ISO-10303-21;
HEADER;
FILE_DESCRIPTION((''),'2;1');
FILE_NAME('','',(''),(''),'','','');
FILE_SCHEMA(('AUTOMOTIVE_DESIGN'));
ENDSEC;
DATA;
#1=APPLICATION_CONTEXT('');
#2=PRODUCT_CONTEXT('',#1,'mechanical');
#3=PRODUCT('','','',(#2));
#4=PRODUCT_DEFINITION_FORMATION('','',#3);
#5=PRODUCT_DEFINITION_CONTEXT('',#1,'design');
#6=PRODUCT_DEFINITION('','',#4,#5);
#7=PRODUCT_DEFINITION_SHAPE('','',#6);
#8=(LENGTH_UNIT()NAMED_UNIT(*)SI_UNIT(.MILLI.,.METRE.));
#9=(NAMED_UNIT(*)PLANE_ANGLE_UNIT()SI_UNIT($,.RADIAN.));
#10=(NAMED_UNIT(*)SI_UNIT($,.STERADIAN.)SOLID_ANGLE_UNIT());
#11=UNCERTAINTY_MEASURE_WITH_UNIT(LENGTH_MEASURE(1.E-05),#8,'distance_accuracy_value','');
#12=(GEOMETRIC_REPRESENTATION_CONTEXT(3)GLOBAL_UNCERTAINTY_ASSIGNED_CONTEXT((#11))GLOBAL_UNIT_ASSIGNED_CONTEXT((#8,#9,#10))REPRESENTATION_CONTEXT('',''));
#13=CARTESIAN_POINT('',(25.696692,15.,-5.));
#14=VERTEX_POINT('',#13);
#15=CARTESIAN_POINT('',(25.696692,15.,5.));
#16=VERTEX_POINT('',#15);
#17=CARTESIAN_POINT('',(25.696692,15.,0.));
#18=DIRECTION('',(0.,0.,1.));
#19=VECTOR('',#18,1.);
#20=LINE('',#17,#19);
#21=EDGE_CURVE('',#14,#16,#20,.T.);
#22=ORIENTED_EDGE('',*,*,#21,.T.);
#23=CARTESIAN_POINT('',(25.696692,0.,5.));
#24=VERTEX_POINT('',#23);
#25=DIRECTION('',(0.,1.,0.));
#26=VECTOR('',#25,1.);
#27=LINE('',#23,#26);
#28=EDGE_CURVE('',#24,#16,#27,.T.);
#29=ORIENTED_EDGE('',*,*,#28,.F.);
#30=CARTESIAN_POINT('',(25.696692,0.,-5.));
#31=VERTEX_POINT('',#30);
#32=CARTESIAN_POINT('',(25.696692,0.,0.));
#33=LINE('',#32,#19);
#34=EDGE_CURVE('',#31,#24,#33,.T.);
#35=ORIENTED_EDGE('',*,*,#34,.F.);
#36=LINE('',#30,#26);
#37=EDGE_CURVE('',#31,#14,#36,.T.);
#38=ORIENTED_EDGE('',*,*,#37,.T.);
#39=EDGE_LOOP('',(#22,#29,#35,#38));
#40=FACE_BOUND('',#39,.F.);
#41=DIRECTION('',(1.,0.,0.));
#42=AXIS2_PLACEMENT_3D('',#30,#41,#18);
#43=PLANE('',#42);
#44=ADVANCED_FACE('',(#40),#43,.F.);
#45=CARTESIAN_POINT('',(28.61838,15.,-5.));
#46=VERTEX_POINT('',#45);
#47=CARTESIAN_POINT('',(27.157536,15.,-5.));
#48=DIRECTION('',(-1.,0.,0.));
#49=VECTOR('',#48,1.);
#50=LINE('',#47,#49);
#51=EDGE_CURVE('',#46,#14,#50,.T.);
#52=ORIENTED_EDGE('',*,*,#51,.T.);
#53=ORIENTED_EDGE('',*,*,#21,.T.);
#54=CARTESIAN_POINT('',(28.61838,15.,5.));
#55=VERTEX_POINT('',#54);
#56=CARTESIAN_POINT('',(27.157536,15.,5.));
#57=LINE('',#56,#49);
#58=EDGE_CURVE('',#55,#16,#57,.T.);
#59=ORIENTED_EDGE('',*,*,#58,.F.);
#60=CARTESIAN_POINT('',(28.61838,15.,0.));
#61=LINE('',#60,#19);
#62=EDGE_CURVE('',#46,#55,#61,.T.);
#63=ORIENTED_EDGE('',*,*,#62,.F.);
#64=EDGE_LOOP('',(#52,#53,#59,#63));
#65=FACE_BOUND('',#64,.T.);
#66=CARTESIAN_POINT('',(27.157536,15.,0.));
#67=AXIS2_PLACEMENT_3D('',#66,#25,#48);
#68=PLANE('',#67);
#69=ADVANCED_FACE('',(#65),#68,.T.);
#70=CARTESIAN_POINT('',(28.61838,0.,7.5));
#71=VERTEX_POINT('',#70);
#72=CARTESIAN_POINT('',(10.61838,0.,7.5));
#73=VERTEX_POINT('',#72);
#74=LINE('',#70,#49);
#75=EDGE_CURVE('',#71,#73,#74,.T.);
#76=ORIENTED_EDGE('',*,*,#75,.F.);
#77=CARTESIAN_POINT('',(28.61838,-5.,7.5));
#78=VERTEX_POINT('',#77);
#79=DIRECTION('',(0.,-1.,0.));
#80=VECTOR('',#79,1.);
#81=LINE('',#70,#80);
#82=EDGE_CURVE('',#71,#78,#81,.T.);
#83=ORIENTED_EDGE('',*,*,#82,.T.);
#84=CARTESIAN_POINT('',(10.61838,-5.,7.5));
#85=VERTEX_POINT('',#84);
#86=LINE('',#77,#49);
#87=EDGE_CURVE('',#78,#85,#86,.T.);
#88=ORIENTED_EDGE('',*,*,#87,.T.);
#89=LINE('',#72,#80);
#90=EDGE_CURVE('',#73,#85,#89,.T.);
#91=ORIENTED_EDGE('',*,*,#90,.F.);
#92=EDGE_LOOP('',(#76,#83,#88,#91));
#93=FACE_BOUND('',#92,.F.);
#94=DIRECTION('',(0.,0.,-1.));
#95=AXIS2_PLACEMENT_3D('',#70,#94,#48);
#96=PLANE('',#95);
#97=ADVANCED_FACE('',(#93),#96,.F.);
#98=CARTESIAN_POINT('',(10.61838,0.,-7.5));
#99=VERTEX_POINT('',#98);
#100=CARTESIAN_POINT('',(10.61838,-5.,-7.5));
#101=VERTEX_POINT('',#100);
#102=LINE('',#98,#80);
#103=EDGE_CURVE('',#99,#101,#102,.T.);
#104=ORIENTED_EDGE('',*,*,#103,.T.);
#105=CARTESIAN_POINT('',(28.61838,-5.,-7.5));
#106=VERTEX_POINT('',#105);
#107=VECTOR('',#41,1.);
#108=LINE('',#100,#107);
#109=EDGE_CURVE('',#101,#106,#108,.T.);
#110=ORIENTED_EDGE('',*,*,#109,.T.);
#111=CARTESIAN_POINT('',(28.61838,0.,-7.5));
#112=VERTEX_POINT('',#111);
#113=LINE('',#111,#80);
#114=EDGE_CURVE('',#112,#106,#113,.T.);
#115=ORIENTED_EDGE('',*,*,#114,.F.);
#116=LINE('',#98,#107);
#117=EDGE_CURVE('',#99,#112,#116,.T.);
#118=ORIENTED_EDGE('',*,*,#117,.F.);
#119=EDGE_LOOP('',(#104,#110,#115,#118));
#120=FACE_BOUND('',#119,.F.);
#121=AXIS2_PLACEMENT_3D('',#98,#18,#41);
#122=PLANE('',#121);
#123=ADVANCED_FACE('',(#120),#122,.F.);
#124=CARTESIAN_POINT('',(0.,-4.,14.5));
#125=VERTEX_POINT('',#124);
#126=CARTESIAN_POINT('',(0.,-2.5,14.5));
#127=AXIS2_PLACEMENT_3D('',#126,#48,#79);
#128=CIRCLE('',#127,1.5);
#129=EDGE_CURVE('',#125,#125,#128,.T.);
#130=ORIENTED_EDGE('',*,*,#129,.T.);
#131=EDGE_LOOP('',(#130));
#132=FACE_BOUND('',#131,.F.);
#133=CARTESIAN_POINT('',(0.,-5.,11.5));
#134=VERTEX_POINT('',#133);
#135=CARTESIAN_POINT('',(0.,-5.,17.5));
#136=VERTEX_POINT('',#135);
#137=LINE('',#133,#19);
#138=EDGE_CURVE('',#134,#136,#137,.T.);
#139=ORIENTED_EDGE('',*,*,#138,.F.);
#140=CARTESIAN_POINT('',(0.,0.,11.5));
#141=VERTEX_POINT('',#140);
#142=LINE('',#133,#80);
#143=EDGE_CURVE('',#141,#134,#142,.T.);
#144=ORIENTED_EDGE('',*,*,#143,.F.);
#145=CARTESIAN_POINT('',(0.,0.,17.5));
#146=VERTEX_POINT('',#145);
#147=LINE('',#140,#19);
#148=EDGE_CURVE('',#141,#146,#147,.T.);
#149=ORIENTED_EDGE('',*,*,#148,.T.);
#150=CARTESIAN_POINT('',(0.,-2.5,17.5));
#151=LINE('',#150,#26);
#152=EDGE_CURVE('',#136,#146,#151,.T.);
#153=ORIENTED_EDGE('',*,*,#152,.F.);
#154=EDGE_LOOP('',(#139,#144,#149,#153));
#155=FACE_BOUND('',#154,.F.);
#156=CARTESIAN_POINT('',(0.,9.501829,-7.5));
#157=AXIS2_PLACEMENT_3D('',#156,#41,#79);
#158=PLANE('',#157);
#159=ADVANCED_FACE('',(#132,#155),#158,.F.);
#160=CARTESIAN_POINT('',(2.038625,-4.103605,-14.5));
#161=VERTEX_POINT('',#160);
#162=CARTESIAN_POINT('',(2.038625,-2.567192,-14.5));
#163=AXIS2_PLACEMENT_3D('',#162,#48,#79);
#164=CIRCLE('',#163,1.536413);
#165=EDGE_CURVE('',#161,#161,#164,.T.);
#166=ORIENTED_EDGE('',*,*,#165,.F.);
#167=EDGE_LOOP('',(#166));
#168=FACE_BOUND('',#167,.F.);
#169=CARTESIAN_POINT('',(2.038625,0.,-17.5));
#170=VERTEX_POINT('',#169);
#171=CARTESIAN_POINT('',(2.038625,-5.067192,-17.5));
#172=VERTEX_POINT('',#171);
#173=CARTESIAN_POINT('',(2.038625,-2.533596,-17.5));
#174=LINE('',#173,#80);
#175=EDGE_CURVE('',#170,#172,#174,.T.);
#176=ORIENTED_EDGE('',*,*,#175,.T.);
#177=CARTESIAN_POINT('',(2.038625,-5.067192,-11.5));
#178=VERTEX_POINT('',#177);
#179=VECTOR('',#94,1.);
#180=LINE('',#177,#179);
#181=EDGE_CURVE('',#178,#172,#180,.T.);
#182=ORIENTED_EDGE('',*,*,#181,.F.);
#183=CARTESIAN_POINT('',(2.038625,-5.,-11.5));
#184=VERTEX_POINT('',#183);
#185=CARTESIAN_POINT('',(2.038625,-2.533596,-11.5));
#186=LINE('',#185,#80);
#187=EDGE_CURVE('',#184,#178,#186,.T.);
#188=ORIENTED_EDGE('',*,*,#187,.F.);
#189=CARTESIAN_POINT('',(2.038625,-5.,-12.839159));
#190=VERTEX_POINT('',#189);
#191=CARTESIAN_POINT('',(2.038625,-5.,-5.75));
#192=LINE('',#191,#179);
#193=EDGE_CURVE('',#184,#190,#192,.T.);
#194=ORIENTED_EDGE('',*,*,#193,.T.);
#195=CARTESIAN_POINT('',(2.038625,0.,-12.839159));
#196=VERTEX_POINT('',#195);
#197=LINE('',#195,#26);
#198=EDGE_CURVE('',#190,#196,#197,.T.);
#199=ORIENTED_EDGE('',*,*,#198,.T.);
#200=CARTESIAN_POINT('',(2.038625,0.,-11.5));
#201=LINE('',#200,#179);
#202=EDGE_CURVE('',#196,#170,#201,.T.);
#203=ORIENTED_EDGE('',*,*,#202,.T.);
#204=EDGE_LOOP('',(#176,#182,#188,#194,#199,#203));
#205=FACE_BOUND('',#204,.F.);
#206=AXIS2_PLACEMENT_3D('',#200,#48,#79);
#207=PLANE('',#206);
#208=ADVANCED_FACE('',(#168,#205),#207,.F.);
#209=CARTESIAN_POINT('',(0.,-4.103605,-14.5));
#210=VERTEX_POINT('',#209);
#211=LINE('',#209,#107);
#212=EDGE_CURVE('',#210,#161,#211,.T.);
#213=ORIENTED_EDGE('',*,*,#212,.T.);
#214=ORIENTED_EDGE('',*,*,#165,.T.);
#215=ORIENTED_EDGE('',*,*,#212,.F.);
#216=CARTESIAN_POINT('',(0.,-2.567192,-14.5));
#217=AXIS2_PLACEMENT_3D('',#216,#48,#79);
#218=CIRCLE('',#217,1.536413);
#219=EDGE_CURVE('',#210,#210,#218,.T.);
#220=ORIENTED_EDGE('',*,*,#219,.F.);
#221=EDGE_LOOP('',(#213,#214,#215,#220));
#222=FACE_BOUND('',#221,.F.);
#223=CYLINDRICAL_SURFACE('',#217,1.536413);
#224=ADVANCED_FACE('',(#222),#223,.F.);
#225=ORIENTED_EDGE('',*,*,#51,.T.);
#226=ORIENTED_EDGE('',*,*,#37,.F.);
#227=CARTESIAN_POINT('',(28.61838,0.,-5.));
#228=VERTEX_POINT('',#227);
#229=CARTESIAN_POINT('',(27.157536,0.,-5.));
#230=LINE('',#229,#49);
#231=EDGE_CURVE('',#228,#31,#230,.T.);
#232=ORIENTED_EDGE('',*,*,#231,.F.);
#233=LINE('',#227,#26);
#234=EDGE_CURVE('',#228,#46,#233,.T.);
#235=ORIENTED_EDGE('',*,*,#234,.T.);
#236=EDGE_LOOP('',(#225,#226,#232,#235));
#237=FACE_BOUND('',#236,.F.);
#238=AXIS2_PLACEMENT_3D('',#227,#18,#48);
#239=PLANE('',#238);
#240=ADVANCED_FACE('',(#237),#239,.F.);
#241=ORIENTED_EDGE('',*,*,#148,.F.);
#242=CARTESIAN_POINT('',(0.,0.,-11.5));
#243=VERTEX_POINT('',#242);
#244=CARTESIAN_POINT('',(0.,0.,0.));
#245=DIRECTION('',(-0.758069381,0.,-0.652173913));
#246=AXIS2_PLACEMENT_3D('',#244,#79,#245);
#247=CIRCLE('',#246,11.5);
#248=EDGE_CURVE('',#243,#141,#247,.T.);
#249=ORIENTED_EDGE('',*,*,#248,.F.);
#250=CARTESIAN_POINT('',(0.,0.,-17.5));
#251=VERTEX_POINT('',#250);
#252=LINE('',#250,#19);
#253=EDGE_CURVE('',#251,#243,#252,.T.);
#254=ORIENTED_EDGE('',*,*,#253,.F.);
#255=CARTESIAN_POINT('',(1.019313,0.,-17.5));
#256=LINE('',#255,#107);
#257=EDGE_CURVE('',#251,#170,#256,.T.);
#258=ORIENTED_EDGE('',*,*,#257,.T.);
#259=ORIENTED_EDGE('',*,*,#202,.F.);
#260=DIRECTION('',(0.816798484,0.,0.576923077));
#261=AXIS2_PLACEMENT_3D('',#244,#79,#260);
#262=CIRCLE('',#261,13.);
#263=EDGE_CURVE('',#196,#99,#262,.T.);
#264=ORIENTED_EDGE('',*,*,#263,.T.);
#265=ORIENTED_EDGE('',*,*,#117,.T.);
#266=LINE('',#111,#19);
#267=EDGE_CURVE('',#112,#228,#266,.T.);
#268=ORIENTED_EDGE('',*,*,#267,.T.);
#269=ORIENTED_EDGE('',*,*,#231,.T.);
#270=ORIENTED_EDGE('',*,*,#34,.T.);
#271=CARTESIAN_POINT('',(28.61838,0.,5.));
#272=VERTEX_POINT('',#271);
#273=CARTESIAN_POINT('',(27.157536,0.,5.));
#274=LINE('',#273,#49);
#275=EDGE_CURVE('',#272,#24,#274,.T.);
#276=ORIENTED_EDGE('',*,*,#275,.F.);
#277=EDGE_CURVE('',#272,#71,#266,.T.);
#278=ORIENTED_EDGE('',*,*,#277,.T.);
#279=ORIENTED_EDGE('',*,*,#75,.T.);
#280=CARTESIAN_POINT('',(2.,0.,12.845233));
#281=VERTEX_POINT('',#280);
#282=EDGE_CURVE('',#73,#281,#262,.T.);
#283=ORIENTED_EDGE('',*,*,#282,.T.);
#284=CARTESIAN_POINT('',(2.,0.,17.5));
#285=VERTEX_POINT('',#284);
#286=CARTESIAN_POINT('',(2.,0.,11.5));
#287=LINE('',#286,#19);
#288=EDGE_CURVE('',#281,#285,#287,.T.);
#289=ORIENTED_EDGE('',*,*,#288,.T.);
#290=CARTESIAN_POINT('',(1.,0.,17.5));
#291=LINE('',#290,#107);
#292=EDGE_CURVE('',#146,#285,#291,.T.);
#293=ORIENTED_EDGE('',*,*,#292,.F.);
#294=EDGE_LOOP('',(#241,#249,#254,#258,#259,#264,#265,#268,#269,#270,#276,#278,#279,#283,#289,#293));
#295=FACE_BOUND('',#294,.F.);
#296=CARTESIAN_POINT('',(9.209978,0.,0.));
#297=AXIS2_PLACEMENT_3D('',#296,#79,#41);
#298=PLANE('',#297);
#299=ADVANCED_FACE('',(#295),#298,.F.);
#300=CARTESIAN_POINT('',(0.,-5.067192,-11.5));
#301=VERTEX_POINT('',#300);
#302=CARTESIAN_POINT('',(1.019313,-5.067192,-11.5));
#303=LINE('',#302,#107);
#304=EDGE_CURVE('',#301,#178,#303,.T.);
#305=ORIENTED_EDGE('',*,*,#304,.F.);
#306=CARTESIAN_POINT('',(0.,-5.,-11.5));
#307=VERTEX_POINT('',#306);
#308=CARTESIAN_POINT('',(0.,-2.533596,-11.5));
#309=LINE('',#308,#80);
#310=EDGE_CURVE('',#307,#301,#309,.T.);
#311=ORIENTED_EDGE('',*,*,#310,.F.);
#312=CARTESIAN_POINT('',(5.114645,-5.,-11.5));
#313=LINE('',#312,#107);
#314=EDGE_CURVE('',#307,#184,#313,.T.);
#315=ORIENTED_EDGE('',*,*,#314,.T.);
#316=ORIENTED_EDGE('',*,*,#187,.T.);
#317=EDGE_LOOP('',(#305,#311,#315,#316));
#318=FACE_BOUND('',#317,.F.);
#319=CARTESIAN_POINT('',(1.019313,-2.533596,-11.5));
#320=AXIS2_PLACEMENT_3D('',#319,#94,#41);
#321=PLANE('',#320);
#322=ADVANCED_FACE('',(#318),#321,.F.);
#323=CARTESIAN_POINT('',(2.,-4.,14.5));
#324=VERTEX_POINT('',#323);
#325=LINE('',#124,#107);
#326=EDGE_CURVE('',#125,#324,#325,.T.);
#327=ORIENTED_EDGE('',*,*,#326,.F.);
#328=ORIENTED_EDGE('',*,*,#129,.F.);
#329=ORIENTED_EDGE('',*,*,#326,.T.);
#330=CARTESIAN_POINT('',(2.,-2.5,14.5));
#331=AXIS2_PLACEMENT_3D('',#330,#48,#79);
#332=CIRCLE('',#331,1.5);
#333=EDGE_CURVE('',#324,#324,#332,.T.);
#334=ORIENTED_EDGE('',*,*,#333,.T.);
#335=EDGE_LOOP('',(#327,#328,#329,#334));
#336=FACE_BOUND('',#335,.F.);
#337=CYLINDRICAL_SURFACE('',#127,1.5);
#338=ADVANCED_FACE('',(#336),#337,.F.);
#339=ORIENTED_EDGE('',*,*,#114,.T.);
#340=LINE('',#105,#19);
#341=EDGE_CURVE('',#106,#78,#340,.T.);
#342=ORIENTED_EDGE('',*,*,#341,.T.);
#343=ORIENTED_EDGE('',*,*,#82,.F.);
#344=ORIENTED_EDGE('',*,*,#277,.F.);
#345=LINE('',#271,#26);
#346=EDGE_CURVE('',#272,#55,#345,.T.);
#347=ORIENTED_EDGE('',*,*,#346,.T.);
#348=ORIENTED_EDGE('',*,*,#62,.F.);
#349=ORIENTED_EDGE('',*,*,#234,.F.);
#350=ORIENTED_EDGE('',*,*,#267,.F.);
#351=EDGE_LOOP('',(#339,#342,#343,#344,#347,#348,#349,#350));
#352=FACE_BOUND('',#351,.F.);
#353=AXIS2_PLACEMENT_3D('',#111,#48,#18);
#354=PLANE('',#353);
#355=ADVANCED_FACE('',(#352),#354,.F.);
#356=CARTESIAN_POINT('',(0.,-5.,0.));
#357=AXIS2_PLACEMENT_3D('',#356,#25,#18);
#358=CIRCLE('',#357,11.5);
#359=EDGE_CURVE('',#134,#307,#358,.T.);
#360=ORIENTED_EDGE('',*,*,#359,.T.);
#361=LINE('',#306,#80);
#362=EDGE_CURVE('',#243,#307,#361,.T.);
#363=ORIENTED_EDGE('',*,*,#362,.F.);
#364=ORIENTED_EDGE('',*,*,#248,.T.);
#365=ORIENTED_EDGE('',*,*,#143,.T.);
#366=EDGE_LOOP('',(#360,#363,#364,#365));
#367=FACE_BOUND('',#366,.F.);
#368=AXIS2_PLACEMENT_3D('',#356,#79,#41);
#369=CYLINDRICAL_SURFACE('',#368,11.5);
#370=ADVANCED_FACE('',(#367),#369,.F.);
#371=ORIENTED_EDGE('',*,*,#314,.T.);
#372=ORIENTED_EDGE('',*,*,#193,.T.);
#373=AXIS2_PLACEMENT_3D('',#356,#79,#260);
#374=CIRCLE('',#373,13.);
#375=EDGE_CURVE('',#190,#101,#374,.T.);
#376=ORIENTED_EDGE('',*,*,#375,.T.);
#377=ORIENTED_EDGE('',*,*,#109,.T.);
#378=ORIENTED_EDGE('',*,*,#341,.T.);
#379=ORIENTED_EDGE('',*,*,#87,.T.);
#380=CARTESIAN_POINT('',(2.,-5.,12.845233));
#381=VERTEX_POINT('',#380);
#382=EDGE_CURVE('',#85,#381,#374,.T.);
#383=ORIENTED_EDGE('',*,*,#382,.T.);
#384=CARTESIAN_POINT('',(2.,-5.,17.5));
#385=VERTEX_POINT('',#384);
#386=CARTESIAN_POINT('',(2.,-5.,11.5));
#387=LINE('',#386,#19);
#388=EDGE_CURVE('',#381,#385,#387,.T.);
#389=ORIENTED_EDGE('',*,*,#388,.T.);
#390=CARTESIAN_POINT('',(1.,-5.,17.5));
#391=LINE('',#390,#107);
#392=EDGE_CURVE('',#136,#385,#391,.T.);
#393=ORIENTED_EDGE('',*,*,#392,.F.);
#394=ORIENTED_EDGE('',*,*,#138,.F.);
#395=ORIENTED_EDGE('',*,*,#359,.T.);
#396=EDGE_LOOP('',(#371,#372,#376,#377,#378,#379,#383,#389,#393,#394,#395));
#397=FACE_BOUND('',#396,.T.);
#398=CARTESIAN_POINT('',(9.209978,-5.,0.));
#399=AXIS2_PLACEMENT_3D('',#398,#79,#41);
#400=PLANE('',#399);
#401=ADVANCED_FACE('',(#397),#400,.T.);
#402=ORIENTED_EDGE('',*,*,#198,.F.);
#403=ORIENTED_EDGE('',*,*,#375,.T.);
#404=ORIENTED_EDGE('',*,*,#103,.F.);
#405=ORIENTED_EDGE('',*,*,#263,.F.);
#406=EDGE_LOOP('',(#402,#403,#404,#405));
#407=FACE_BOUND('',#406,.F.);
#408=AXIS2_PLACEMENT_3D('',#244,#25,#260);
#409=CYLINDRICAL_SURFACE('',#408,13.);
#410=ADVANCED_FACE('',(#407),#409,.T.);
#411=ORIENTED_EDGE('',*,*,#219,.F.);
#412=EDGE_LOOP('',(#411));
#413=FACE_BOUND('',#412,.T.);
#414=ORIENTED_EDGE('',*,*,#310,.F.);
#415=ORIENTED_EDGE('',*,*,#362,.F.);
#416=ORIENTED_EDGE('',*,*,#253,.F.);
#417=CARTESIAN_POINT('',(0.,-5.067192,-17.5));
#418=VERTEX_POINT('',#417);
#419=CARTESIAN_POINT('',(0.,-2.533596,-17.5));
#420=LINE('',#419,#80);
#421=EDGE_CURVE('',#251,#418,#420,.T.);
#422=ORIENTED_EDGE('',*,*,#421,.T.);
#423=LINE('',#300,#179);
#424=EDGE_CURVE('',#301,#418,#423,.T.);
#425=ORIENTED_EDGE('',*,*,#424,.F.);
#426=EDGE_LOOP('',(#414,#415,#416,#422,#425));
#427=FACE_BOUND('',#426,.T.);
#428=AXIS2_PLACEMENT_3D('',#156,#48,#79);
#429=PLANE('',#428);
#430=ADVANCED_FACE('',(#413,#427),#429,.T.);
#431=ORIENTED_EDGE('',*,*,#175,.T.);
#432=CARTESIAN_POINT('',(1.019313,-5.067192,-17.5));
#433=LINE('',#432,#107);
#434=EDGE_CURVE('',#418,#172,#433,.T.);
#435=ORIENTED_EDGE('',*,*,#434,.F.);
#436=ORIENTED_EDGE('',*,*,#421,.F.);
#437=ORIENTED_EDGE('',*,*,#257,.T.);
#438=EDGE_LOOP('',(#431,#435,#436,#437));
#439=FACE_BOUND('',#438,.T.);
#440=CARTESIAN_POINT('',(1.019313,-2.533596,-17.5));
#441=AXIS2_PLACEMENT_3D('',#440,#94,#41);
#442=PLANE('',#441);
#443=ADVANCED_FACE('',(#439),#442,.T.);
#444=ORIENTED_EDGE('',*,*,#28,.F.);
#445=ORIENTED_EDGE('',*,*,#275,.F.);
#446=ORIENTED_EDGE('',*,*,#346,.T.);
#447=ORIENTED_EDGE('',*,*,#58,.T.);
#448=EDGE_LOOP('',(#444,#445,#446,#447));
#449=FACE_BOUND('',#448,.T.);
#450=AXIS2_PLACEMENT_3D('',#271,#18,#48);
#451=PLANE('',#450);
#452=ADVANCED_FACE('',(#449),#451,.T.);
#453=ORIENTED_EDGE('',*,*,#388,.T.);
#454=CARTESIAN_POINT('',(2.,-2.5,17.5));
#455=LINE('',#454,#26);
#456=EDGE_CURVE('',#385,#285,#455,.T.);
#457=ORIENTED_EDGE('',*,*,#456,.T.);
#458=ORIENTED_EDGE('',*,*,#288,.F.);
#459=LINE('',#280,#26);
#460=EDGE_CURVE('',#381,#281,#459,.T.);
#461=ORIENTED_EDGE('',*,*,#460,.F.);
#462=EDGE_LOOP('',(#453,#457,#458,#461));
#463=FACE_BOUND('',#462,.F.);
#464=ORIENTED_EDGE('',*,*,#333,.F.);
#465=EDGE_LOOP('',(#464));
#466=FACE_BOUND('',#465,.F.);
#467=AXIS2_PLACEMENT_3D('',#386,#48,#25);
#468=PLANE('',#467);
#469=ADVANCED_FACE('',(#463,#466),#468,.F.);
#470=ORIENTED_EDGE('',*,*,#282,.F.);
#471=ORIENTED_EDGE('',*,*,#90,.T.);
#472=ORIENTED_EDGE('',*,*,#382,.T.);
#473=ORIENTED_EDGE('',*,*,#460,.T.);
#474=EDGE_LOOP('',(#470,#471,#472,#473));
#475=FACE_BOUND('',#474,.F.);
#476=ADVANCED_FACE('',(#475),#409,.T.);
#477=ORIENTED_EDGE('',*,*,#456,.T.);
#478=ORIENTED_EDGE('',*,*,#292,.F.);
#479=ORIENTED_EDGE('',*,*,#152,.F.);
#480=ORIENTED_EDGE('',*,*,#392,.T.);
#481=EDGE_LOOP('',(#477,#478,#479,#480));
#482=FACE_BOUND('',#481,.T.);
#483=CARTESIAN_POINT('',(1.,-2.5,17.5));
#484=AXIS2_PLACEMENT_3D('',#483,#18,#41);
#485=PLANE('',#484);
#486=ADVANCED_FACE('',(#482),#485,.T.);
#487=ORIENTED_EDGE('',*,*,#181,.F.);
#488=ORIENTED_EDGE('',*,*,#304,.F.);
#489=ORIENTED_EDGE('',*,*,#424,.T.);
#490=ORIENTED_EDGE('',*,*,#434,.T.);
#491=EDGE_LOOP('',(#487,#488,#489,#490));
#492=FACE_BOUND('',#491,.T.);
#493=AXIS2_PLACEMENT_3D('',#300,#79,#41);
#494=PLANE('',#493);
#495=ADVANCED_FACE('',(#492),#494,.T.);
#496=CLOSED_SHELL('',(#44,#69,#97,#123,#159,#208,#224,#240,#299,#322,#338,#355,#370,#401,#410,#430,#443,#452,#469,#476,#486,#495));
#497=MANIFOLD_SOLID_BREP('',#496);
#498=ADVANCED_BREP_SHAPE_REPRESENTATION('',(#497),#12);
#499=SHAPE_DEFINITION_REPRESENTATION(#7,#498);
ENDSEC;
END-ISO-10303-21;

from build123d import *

# Parameters (mm, degrees)
F1_DEPTH      = 5
F2_R          = 11.5
F3_DEPTH      = 25
F4_W          = 19.7234917432
F4_H          = 22.7468013763
F5_DEPTH      = 20.501
F5_DEPTH_BACK = 50
F7_START      = 4
F6_W          = 2.0386253018
F6_H          = 5.0671915524
F7_DEPTH      = 6
F8_R          = 1.5364131309
F9_DEPTH      = 25
F10_W         = 2.9216879989
F10_H         = 10
F11_DEPTH     = 15
F13_START     = 4
F12_W         = 2
F12_H         = 5
F13_DEPTH     = 6
F14_R         = 1.5
F15_DEPTH     = 25


with BuildPart() as f1:
    # F0 (on Front) → F1 (new body)
    with BuildSketch(Plane.XZ):
        with BuildLine():
            Line((10.6183802908, -7.5), (28.6183802908, -7.5))
            Line((28.6183802908, -7.5), (28.6183802908, 7.5))
            Line((28.6183802908, 7.5), (10.6183802908, 7.5))
            ThreePointArc((10.6183802908, 7.5), (-13, 0), (10.6183802908, -7.5))
        make_face()
    extrude(amount=F1_DEPTH)

    # F2 (on face) → F3 (cut)
    with BuildSketch(Plane.XZ.offset(5)):
        Circle(F2_R)
    extrude(amount=-F3_DEPTH, mode=Mode.SUBTRACT)

    # F4 (on face) → F5 (cut, two sides)
    with BuildSketch(Plane(origin=(0, 0, -7.5), x_dir=(1, 0, 0), z_dir=(0, 0, -1))) as f5_sk:
        with Locations((-9.8617458716, 1.8715718761)):
            Rectangle(F4_W, F4_H)
    extrude(amount=-F5_DEPTH, mode=Mode.SUBTRACT)
    extrude(f5_sk.sketch, amount=F5_DEPTH_BACK, mode=Mode.SUBTRACT)

    # F6 (on face) → F7 (join)
    with BuildSketch(Plane(origin=(0, 0, -7.5), x_dir=(1, 0, 0), z_dir=(0, 0, -1)).offset(F7_START)):
        with Locations((1.0193126509, 2.5335957762)):
            Rectangle(F6_W, F6_H)
    extrude(amount=F7_DEPTH)

    # F8 (on face) → F9 (cut)
    with BuildSketch(Plane(origin=(0, 0, 0), x_dir=(0, -1, 0), z_dir=(-1, 0, 0))):
        with Locations((2.5671915524, -14.5)):
            Circle(F8_R)
    extrude(amount=-F9_DEPTH, mode=Mode.SUBTRACT)

    # F10 (on face) → F11 (join)
    with BuildSketch(Plane(origin=(0, 0, 0), x_dir=(-1, 0, 0), z_dir=(0, 1, 0))):
        with Locations((-27.1575362913, 0)):
            Rectangle(F10_W, F10_H)
    extrude(amount=F11_DEPTH)

    # F12 (on face) → F13 (join)
    with BuildSketch(Plane.XY.offset(7.5).offset(F13_START)):
        with Locations((1, -2.5)):
            Rectangle(F12_W, F12_H)
    extrude(amount=F13_DEPTH)

    # F14 (on face) → F15 (cut)
    with BuildSketch(Plane(origin=(0, 0, 0), x_dir=(0, -1, 0), z_dir=(-1, 0, 0))):
        with Locations((2.5, 14.5)):
            Circle(F14_R)
    extrude(amount=-F15_DEPTH, mode=Mode.SUBTRACT)


solid = f1.part
